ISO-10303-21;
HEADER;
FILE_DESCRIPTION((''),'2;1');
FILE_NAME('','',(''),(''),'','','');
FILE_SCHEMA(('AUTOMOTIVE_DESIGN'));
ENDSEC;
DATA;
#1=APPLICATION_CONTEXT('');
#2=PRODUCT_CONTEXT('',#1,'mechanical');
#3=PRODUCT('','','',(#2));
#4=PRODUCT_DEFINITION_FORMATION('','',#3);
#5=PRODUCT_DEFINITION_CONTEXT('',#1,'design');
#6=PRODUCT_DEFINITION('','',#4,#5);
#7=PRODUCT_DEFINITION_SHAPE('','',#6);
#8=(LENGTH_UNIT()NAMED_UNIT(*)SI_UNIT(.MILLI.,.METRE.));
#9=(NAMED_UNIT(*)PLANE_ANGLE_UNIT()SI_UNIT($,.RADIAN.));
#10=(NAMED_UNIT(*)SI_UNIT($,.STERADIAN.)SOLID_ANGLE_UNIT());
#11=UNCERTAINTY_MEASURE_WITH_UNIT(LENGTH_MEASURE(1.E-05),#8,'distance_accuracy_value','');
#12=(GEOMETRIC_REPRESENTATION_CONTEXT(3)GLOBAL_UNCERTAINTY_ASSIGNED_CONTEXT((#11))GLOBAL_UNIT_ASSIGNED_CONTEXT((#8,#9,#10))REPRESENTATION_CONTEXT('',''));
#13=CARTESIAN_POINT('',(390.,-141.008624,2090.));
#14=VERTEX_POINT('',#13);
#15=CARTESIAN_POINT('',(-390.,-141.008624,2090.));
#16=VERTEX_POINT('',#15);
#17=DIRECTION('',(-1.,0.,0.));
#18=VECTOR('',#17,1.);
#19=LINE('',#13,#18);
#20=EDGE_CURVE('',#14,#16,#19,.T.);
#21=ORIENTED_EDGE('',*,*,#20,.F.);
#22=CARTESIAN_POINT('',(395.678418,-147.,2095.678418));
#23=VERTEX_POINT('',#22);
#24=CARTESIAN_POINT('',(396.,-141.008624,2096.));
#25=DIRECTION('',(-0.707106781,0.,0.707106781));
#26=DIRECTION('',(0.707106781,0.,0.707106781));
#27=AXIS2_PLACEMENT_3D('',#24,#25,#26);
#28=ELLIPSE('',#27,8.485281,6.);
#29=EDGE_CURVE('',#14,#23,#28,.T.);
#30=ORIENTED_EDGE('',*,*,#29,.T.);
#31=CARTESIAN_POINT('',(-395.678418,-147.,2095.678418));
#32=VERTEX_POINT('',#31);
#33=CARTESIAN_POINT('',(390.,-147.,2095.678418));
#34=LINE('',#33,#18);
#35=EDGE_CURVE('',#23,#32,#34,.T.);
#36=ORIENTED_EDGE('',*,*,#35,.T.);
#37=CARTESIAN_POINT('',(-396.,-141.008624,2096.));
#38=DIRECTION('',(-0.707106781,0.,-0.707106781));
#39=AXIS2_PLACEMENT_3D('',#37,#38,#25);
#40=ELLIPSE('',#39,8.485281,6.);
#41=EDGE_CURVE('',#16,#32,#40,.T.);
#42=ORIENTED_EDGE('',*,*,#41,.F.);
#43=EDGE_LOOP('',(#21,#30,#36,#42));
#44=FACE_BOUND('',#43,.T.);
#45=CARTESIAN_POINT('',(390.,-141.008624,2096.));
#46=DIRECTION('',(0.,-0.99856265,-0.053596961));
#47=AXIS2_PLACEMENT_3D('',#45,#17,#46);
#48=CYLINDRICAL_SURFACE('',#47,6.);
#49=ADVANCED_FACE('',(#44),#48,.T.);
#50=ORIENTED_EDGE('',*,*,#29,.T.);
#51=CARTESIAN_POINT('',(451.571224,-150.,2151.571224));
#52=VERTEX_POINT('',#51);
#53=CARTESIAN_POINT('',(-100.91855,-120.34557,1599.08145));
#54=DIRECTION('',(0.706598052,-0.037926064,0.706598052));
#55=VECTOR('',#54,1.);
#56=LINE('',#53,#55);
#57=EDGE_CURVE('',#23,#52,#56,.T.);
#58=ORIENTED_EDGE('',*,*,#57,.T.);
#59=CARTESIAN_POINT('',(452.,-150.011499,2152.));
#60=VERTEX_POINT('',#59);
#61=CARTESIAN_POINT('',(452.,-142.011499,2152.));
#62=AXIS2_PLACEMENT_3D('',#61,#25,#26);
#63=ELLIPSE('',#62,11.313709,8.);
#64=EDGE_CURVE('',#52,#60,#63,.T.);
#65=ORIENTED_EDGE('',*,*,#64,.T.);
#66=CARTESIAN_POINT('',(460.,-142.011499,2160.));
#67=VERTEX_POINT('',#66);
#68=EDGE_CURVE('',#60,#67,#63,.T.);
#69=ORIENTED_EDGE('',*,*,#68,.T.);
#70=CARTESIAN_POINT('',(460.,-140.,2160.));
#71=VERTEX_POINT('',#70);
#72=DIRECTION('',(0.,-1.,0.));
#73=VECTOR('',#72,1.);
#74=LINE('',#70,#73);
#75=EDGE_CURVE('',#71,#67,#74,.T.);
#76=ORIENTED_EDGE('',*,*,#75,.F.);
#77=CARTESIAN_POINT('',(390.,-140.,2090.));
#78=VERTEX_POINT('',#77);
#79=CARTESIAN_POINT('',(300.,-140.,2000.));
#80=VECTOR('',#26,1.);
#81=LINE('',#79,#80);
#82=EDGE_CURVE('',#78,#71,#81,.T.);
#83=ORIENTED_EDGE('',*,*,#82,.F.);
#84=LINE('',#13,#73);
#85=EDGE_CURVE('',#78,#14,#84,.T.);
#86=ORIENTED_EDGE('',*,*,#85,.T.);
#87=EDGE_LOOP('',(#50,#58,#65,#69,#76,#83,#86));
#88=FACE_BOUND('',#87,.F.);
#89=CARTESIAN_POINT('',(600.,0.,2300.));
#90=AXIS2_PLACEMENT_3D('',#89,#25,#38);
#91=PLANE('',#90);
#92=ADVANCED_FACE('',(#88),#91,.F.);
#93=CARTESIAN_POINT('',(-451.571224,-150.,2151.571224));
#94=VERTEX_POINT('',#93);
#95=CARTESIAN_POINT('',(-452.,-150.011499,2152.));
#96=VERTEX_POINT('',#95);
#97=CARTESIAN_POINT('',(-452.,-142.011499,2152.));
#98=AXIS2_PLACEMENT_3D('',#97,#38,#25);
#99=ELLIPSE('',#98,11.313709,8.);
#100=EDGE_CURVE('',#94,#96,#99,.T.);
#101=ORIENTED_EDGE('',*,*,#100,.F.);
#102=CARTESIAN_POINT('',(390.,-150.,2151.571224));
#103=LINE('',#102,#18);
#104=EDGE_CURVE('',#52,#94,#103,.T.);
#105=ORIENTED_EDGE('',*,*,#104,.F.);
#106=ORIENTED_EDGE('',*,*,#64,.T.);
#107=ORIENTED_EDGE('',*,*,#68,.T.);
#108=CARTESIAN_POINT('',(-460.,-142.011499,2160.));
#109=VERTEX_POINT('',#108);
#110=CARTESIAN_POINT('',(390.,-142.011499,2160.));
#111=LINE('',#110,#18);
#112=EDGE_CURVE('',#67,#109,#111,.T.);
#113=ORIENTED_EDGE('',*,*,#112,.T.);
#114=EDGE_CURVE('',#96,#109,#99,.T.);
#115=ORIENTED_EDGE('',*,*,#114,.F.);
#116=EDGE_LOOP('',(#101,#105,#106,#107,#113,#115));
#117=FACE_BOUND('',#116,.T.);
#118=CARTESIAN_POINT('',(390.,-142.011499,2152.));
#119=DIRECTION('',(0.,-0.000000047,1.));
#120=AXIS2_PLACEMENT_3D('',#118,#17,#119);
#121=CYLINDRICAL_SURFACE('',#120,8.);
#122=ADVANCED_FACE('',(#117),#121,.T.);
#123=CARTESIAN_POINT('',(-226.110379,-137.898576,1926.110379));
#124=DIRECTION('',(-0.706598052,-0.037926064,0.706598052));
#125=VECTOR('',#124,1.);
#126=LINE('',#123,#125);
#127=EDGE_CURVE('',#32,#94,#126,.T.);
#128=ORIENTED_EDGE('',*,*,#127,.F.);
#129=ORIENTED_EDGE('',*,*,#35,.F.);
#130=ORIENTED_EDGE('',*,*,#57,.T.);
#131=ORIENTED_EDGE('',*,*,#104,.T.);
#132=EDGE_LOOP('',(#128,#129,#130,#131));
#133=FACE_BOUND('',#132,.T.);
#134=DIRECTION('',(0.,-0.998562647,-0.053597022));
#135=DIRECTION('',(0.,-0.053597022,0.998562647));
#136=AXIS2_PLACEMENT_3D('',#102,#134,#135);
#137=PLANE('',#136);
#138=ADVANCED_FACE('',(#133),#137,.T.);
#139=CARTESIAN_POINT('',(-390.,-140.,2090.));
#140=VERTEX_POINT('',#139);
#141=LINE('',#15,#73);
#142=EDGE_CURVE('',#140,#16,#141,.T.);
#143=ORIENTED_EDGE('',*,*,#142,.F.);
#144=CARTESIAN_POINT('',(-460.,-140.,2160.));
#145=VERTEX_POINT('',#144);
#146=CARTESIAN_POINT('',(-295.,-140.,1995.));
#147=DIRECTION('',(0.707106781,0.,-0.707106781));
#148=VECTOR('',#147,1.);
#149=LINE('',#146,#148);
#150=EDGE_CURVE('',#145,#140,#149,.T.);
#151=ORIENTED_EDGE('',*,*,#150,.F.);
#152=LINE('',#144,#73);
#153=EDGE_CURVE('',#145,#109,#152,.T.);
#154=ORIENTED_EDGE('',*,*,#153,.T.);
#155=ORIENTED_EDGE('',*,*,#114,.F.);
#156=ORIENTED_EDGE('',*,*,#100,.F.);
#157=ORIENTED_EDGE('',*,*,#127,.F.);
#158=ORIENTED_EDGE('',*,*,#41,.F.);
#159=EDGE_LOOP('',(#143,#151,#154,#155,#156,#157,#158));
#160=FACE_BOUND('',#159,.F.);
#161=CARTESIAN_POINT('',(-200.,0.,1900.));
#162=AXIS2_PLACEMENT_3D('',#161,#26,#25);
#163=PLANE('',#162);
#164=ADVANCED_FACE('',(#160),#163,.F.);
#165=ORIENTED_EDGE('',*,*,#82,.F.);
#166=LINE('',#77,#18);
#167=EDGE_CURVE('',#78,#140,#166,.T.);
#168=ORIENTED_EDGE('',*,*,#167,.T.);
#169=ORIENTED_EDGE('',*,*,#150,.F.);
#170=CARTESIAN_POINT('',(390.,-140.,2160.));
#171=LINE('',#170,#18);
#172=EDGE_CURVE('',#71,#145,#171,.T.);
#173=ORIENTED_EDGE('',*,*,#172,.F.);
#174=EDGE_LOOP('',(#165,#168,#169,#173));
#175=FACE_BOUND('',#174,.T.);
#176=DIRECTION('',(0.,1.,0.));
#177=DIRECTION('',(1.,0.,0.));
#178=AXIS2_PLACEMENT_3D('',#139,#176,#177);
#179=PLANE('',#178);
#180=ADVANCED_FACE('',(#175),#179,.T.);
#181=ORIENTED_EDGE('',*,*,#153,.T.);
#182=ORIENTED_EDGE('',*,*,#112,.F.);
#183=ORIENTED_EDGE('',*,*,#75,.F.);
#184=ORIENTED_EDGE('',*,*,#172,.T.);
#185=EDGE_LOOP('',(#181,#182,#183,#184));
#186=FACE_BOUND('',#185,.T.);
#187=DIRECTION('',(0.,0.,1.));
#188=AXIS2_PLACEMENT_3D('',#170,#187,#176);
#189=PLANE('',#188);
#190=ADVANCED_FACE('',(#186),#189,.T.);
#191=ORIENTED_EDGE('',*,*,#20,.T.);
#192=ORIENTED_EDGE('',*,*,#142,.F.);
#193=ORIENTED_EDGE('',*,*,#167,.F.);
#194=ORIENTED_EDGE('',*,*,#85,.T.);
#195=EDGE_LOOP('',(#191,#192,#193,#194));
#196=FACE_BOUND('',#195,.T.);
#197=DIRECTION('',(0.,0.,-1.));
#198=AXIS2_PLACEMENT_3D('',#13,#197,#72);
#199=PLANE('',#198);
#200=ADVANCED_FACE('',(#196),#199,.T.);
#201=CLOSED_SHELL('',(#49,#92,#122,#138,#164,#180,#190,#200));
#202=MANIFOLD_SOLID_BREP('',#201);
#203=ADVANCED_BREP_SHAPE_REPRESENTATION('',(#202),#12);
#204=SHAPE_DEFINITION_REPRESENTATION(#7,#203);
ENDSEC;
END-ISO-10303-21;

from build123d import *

# Parameters (mm, degrees)
EXTRUDE039434_DEPTH = 500


with BuildPart() as extrude039434_internal_superior:
    # Sketch223 (on Sketch) → Extrude039434 (new body, symmetric)
    with BuildSketch(Plane.XZ):
        Polygon((-600, 2300), (600, 2300), (200, 1900), (-200, 1900), align=None)
    extrude(amount=EXTRUDE039434_DEPTH, both=True)


with BuildPart() as external_trim_horizontal:
    # Sweep011: sweep along a path in Sketch194
    with BuildLine(Plane.XZ.offset(140)) as sweep011_path:
        Line((-390, 2090), (-390, 0))
        Line((-390, 0), (390, 0))
        Line((390, 0), (390, 2090))
        Line((390, 2090), (-390, 2090))
    # Clone2D027 (on Sketch) → Sweep011 (sweep)
    with BuildSketch(Plane(origin=(0, -140, 0), x_dir=(0, 0, 1), z_dir=(1, 0, 0))):
        with BuildLine():
            Line((-61.571224, 10), (-5.678418, 7))
            ThreePointArc((-5.678418, 7), (-1.645147, 5.136003), (0, 1.008624))
            Line((0, 1.008624), (0, 0))
            Line((0, 0), (-70, 0))
            Line((-70, 0), (-70, 2.011499))
            ThreePointArc((-70, 2.011499), (-67.503171, 7.81797), (-61.571224, 10))
        make_face()
    sweep(path=sweep011_path.line, is_frenet=True, transition=Transition.RIGHT)

    # Common: intersect Extrude039434_Internal_superior_
    add(extrude039434_internal_superior.part, mode=Mode.INTERSECT)


solid = external_trim_horizontal.part
